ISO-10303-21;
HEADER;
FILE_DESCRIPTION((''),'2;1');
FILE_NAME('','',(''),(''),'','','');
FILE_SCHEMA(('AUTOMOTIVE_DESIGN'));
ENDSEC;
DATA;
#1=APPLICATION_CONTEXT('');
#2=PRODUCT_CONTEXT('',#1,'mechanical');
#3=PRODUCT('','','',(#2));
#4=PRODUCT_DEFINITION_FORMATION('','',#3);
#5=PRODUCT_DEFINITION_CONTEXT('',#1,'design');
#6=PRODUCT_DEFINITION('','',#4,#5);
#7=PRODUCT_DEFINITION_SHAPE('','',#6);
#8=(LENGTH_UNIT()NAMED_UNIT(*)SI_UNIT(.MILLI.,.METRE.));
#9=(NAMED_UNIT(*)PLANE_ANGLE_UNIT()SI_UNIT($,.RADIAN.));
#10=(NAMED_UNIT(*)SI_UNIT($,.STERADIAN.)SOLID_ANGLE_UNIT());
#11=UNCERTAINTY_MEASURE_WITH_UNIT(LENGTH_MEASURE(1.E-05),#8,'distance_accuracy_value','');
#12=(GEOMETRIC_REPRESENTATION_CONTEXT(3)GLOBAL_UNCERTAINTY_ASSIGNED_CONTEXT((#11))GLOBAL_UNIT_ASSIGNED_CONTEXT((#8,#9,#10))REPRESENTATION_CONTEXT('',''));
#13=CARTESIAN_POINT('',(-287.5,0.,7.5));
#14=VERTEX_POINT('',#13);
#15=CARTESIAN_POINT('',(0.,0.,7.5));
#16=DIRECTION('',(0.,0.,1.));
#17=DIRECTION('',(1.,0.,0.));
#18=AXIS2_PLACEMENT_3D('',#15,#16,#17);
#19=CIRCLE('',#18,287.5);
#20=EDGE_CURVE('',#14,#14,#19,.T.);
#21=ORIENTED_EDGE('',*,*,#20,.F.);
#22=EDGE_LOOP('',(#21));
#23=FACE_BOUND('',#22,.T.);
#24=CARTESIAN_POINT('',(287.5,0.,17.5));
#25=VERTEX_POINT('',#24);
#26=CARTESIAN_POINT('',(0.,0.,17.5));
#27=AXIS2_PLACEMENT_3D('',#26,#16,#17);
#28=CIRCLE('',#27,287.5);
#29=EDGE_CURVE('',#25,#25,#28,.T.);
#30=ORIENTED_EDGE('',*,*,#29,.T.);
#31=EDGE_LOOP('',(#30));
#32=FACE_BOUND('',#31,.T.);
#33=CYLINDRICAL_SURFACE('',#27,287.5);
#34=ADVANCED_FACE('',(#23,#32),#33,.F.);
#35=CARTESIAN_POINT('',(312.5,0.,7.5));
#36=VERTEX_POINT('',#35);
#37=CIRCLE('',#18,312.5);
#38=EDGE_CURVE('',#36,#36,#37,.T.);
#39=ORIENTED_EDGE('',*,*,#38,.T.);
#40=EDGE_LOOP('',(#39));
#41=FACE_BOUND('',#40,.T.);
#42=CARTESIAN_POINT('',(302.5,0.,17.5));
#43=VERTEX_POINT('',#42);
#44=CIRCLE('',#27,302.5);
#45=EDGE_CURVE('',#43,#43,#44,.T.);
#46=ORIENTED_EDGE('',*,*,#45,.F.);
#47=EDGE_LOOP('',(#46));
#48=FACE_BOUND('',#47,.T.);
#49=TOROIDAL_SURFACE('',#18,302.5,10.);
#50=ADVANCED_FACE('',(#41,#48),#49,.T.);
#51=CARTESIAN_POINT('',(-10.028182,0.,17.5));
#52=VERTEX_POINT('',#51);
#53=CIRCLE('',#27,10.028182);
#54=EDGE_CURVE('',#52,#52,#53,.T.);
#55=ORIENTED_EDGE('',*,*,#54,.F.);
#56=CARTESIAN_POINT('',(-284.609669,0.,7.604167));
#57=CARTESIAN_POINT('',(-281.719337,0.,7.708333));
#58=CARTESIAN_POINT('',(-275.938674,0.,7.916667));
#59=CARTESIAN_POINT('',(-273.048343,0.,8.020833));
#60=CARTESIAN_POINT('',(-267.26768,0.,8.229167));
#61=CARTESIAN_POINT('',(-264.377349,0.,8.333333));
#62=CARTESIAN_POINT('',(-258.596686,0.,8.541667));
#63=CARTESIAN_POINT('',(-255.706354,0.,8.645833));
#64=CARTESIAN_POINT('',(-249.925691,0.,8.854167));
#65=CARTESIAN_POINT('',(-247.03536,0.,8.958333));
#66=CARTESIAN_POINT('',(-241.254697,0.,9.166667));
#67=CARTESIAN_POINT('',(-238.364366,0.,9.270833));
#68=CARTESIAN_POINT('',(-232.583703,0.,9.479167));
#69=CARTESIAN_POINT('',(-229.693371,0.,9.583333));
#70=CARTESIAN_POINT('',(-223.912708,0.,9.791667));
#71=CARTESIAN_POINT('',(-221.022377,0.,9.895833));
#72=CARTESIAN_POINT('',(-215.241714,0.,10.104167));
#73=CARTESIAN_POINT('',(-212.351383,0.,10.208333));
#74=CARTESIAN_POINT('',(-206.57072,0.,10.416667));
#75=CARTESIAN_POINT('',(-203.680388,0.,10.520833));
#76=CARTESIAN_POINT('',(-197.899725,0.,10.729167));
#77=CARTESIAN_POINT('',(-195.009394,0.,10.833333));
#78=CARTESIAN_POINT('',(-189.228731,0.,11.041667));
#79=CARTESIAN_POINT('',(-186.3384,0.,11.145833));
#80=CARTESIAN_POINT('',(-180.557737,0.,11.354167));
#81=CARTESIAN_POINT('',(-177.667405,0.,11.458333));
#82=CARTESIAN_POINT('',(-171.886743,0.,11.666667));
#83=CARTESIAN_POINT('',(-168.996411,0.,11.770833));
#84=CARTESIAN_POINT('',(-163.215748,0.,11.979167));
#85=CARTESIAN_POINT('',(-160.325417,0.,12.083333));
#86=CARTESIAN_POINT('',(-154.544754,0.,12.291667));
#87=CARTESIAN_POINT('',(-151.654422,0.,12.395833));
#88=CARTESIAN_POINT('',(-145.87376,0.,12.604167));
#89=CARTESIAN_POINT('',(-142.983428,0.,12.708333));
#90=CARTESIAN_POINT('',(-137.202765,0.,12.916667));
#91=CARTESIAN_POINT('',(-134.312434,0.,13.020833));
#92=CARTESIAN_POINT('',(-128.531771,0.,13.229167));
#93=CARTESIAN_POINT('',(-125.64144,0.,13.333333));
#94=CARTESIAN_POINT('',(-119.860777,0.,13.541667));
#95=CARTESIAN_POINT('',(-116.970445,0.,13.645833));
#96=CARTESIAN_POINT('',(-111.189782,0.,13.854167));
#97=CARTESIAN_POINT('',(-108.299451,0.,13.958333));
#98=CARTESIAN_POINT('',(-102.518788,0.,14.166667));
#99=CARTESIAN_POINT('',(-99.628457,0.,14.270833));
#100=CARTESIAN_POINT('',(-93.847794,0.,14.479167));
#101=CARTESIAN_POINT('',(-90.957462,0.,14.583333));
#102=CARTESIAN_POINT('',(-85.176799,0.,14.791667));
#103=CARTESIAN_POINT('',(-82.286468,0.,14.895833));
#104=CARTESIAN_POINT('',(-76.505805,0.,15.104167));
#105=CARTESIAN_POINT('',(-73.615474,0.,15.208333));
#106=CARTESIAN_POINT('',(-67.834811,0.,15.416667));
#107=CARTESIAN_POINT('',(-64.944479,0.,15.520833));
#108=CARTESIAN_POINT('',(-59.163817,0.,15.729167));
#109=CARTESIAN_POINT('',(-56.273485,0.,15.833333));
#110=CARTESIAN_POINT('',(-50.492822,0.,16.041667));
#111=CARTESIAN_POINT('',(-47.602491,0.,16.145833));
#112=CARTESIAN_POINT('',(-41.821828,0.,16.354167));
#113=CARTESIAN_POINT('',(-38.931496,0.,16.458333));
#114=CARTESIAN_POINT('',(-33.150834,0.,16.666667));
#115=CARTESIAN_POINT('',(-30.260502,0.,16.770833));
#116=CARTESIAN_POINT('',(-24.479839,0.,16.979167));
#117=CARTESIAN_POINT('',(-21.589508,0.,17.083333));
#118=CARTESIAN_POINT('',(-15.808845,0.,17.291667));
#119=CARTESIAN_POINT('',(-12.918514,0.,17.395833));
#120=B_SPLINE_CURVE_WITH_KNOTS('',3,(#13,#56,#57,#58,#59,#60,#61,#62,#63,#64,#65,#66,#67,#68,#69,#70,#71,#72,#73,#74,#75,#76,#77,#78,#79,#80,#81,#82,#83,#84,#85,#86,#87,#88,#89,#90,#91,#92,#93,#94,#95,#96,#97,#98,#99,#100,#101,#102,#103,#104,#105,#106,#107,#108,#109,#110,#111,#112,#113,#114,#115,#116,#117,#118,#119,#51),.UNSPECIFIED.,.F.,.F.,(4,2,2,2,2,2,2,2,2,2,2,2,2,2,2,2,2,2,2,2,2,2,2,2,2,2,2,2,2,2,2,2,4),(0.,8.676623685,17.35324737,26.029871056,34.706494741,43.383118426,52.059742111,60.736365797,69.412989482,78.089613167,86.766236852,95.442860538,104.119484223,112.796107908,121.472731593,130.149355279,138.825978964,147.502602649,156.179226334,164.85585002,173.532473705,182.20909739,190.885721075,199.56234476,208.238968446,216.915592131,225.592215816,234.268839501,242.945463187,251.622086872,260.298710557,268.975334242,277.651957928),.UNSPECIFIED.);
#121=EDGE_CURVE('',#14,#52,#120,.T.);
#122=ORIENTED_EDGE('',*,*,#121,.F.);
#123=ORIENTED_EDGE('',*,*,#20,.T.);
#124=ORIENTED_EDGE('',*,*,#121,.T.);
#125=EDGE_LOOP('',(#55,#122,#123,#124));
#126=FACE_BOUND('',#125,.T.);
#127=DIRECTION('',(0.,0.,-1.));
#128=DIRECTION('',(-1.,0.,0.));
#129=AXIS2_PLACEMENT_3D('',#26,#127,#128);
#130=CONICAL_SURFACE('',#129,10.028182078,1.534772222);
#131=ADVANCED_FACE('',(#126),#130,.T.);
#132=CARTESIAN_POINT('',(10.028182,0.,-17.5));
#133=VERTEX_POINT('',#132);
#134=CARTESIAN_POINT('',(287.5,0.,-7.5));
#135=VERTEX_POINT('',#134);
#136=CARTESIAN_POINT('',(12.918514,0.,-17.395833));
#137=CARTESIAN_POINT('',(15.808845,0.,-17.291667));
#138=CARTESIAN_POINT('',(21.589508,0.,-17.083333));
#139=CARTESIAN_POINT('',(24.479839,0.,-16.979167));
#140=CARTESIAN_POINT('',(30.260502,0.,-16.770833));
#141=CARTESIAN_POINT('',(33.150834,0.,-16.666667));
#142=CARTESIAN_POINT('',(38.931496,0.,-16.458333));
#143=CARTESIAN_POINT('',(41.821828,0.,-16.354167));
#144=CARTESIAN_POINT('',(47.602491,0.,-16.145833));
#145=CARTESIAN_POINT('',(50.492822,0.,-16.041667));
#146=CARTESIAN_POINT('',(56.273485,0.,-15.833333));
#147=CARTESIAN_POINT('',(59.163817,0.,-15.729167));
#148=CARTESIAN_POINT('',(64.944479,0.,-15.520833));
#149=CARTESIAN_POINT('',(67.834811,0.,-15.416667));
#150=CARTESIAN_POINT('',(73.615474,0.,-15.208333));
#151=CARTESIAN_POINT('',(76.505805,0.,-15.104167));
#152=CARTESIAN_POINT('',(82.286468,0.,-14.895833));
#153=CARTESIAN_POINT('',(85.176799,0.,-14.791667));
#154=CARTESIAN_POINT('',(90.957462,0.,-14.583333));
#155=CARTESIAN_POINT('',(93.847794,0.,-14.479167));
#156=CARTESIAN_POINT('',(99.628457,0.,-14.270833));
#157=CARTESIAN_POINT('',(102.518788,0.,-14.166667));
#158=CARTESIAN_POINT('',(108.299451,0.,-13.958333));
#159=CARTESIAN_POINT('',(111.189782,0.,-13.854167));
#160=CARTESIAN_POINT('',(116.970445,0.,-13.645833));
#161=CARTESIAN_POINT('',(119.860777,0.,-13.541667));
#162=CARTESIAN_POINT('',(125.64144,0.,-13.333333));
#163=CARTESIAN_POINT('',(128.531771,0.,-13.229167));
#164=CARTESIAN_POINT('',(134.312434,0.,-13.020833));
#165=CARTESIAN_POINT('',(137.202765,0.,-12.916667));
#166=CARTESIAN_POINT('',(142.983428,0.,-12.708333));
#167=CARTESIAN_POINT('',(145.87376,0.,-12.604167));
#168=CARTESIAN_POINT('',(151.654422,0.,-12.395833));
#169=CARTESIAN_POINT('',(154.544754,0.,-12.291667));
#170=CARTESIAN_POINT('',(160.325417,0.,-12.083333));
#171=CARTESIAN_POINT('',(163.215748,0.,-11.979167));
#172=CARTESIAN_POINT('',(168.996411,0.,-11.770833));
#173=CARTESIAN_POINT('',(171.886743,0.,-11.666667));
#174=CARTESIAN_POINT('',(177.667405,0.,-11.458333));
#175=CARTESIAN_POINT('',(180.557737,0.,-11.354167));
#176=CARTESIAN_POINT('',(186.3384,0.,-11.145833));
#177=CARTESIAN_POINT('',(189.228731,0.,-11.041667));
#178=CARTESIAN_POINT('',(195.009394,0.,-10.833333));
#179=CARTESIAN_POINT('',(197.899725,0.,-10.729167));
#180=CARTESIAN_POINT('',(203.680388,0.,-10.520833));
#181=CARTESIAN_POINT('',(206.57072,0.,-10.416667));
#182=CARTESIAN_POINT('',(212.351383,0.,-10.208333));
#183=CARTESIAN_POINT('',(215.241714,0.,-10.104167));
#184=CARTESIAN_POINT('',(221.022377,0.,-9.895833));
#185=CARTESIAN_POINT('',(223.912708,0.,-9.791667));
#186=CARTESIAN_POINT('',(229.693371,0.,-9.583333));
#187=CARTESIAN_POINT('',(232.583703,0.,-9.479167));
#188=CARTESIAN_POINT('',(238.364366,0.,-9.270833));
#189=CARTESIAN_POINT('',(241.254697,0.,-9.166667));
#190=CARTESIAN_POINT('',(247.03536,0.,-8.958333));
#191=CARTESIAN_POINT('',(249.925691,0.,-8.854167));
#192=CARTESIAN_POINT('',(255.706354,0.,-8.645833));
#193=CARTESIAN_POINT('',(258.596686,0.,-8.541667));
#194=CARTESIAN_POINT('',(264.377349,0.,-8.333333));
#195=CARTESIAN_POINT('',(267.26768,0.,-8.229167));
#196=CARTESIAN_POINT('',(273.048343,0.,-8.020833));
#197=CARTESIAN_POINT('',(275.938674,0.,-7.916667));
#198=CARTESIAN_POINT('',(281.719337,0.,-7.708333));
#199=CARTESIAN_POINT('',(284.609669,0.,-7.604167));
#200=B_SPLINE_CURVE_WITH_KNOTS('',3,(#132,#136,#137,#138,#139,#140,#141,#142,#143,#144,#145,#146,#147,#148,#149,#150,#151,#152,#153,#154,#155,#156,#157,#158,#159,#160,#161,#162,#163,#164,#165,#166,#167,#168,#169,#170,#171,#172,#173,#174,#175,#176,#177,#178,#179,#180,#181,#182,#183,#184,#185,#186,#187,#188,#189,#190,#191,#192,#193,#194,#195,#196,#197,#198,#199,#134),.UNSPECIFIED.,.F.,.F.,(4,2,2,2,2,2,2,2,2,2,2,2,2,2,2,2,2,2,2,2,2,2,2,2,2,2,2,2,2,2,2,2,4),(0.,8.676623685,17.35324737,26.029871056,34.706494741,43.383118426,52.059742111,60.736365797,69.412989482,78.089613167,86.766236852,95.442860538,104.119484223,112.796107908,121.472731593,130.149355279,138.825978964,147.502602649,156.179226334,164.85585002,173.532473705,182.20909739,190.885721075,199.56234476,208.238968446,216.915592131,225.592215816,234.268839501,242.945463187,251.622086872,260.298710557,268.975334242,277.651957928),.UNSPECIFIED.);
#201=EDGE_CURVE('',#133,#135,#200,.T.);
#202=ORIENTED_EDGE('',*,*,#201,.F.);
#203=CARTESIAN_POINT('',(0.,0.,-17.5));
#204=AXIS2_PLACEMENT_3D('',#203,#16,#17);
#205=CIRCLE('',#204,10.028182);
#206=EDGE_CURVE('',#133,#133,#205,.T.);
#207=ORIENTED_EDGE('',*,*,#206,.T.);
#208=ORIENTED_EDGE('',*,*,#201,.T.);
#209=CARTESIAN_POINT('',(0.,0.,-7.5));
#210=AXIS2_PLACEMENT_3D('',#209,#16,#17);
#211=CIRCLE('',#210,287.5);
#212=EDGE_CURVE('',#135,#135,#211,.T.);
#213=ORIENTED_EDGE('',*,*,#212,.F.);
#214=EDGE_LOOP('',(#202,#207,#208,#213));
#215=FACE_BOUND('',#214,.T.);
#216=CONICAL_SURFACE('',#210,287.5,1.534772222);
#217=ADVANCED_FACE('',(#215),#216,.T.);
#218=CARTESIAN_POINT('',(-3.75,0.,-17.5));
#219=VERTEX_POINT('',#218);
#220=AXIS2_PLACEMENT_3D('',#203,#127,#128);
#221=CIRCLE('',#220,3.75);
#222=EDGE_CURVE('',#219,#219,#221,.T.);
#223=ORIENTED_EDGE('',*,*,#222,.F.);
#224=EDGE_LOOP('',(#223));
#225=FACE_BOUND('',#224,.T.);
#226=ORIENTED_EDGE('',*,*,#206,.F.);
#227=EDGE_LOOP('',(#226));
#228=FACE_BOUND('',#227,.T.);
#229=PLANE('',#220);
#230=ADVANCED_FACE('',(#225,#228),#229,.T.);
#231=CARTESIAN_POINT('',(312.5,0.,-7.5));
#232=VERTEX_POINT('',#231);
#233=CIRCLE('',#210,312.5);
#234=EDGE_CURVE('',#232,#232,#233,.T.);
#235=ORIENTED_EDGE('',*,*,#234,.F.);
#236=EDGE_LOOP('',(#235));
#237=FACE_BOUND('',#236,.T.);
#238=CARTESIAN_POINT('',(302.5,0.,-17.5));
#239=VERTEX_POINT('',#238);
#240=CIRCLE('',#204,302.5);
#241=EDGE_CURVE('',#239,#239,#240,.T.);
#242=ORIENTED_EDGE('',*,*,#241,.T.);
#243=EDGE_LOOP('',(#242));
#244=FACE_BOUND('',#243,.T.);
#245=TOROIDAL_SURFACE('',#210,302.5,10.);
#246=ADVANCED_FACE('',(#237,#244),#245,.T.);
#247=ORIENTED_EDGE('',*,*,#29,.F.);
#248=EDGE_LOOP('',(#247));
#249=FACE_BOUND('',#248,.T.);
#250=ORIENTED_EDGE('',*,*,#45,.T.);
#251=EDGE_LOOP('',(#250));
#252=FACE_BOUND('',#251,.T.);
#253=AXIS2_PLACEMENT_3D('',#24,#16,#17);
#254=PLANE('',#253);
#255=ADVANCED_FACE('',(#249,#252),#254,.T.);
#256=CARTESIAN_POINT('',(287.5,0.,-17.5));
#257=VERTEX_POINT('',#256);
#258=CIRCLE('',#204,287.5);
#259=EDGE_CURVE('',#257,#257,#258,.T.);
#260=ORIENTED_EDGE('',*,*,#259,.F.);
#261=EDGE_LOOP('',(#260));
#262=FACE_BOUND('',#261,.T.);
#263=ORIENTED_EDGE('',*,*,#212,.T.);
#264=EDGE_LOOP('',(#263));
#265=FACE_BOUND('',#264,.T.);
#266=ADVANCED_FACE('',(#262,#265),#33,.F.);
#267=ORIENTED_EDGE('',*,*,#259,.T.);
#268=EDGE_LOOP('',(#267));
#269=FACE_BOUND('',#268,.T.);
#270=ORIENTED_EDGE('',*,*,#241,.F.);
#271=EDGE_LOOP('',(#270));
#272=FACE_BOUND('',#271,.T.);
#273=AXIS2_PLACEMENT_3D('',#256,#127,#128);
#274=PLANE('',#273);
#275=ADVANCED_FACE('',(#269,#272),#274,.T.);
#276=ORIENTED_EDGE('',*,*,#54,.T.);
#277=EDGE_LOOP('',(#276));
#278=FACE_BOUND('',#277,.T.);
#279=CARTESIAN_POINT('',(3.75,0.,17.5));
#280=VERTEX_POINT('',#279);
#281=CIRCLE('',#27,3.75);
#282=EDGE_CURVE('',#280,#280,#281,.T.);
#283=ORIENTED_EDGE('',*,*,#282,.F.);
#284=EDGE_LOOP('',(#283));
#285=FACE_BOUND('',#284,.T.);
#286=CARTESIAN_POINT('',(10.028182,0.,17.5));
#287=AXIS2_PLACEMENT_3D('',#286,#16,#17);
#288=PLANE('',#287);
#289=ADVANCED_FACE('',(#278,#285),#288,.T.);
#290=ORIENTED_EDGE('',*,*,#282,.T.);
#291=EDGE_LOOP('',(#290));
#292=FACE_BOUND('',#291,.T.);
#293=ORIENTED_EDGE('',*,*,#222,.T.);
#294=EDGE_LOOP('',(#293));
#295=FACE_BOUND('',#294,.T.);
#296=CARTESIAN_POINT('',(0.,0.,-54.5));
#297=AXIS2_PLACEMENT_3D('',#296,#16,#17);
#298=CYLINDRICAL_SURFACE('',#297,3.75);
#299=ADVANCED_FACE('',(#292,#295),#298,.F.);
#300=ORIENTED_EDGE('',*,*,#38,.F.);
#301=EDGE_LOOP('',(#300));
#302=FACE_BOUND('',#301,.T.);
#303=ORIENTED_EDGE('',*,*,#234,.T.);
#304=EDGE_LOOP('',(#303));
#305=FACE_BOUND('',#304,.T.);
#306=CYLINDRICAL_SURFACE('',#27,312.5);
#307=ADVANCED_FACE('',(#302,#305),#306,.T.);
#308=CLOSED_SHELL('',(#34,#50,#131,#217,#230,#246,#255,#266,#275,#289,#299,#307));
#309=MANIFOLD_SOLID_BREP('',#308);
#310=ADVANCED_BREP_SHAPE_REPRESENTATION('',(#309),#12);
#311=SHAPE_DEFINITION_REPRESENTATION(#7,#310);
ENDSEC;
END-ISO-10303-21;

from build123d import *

# Parameters (mm, degrees)
SKETCH5_R          = 3.75
CUT_EXTRUDE1_DEPTH = 72


with BuildPart() as part:
    # Sketch3 → Revolve2 (revolve)
    with BuildSketch(Plane(origin=(0, 0, 0), x_dir=(1, 0, 0), z_dir=(0, 1, 0))):
        with BuildLine():
            Line((287.5, 17.5), (302.5, 17.5))
            ThreePointArc((302.5, 17.5), (309.571067812, 14.571067812), (312.5, 7.5))
            Line((312.5, 7.5), (312.5, -7.5))
            ThreePointArc((312.5, -7.5), (309.571067812, -14.571067812), (302.5, -17.5))
            Line((302.5, -17.5), (287.5, -17.5))
            Line((287.5, -17.5), (287.5, -7.5))
            Line((287.5, -7.5), (10.028182078, -17.5))
            Line((10.028182078, -17.5), (0, -17.5))
            Line((0, -17.5), (0, 17.5))
            Line((0, 17.5), (10.028182078, 17.5))
            Line((10.028182078, 17.5), (287.5, 7.5))
            Line((287.5, 7.5), (287.5, 17.5))
        make_face()
    revolve(axis=Axis((0, 0, 17.5), (0, 0, -1)))

    # Sketch5 → Cut-Extrude1 (cut)
    with BuildSketch(Plane.XY.offset(17.5)):
        Circle(SKETCH5_R)
    extrude(amount=-CUT_EXTRUDE1_DEPTH, mode=Mode.SUBTRACT)


solid = part.part
